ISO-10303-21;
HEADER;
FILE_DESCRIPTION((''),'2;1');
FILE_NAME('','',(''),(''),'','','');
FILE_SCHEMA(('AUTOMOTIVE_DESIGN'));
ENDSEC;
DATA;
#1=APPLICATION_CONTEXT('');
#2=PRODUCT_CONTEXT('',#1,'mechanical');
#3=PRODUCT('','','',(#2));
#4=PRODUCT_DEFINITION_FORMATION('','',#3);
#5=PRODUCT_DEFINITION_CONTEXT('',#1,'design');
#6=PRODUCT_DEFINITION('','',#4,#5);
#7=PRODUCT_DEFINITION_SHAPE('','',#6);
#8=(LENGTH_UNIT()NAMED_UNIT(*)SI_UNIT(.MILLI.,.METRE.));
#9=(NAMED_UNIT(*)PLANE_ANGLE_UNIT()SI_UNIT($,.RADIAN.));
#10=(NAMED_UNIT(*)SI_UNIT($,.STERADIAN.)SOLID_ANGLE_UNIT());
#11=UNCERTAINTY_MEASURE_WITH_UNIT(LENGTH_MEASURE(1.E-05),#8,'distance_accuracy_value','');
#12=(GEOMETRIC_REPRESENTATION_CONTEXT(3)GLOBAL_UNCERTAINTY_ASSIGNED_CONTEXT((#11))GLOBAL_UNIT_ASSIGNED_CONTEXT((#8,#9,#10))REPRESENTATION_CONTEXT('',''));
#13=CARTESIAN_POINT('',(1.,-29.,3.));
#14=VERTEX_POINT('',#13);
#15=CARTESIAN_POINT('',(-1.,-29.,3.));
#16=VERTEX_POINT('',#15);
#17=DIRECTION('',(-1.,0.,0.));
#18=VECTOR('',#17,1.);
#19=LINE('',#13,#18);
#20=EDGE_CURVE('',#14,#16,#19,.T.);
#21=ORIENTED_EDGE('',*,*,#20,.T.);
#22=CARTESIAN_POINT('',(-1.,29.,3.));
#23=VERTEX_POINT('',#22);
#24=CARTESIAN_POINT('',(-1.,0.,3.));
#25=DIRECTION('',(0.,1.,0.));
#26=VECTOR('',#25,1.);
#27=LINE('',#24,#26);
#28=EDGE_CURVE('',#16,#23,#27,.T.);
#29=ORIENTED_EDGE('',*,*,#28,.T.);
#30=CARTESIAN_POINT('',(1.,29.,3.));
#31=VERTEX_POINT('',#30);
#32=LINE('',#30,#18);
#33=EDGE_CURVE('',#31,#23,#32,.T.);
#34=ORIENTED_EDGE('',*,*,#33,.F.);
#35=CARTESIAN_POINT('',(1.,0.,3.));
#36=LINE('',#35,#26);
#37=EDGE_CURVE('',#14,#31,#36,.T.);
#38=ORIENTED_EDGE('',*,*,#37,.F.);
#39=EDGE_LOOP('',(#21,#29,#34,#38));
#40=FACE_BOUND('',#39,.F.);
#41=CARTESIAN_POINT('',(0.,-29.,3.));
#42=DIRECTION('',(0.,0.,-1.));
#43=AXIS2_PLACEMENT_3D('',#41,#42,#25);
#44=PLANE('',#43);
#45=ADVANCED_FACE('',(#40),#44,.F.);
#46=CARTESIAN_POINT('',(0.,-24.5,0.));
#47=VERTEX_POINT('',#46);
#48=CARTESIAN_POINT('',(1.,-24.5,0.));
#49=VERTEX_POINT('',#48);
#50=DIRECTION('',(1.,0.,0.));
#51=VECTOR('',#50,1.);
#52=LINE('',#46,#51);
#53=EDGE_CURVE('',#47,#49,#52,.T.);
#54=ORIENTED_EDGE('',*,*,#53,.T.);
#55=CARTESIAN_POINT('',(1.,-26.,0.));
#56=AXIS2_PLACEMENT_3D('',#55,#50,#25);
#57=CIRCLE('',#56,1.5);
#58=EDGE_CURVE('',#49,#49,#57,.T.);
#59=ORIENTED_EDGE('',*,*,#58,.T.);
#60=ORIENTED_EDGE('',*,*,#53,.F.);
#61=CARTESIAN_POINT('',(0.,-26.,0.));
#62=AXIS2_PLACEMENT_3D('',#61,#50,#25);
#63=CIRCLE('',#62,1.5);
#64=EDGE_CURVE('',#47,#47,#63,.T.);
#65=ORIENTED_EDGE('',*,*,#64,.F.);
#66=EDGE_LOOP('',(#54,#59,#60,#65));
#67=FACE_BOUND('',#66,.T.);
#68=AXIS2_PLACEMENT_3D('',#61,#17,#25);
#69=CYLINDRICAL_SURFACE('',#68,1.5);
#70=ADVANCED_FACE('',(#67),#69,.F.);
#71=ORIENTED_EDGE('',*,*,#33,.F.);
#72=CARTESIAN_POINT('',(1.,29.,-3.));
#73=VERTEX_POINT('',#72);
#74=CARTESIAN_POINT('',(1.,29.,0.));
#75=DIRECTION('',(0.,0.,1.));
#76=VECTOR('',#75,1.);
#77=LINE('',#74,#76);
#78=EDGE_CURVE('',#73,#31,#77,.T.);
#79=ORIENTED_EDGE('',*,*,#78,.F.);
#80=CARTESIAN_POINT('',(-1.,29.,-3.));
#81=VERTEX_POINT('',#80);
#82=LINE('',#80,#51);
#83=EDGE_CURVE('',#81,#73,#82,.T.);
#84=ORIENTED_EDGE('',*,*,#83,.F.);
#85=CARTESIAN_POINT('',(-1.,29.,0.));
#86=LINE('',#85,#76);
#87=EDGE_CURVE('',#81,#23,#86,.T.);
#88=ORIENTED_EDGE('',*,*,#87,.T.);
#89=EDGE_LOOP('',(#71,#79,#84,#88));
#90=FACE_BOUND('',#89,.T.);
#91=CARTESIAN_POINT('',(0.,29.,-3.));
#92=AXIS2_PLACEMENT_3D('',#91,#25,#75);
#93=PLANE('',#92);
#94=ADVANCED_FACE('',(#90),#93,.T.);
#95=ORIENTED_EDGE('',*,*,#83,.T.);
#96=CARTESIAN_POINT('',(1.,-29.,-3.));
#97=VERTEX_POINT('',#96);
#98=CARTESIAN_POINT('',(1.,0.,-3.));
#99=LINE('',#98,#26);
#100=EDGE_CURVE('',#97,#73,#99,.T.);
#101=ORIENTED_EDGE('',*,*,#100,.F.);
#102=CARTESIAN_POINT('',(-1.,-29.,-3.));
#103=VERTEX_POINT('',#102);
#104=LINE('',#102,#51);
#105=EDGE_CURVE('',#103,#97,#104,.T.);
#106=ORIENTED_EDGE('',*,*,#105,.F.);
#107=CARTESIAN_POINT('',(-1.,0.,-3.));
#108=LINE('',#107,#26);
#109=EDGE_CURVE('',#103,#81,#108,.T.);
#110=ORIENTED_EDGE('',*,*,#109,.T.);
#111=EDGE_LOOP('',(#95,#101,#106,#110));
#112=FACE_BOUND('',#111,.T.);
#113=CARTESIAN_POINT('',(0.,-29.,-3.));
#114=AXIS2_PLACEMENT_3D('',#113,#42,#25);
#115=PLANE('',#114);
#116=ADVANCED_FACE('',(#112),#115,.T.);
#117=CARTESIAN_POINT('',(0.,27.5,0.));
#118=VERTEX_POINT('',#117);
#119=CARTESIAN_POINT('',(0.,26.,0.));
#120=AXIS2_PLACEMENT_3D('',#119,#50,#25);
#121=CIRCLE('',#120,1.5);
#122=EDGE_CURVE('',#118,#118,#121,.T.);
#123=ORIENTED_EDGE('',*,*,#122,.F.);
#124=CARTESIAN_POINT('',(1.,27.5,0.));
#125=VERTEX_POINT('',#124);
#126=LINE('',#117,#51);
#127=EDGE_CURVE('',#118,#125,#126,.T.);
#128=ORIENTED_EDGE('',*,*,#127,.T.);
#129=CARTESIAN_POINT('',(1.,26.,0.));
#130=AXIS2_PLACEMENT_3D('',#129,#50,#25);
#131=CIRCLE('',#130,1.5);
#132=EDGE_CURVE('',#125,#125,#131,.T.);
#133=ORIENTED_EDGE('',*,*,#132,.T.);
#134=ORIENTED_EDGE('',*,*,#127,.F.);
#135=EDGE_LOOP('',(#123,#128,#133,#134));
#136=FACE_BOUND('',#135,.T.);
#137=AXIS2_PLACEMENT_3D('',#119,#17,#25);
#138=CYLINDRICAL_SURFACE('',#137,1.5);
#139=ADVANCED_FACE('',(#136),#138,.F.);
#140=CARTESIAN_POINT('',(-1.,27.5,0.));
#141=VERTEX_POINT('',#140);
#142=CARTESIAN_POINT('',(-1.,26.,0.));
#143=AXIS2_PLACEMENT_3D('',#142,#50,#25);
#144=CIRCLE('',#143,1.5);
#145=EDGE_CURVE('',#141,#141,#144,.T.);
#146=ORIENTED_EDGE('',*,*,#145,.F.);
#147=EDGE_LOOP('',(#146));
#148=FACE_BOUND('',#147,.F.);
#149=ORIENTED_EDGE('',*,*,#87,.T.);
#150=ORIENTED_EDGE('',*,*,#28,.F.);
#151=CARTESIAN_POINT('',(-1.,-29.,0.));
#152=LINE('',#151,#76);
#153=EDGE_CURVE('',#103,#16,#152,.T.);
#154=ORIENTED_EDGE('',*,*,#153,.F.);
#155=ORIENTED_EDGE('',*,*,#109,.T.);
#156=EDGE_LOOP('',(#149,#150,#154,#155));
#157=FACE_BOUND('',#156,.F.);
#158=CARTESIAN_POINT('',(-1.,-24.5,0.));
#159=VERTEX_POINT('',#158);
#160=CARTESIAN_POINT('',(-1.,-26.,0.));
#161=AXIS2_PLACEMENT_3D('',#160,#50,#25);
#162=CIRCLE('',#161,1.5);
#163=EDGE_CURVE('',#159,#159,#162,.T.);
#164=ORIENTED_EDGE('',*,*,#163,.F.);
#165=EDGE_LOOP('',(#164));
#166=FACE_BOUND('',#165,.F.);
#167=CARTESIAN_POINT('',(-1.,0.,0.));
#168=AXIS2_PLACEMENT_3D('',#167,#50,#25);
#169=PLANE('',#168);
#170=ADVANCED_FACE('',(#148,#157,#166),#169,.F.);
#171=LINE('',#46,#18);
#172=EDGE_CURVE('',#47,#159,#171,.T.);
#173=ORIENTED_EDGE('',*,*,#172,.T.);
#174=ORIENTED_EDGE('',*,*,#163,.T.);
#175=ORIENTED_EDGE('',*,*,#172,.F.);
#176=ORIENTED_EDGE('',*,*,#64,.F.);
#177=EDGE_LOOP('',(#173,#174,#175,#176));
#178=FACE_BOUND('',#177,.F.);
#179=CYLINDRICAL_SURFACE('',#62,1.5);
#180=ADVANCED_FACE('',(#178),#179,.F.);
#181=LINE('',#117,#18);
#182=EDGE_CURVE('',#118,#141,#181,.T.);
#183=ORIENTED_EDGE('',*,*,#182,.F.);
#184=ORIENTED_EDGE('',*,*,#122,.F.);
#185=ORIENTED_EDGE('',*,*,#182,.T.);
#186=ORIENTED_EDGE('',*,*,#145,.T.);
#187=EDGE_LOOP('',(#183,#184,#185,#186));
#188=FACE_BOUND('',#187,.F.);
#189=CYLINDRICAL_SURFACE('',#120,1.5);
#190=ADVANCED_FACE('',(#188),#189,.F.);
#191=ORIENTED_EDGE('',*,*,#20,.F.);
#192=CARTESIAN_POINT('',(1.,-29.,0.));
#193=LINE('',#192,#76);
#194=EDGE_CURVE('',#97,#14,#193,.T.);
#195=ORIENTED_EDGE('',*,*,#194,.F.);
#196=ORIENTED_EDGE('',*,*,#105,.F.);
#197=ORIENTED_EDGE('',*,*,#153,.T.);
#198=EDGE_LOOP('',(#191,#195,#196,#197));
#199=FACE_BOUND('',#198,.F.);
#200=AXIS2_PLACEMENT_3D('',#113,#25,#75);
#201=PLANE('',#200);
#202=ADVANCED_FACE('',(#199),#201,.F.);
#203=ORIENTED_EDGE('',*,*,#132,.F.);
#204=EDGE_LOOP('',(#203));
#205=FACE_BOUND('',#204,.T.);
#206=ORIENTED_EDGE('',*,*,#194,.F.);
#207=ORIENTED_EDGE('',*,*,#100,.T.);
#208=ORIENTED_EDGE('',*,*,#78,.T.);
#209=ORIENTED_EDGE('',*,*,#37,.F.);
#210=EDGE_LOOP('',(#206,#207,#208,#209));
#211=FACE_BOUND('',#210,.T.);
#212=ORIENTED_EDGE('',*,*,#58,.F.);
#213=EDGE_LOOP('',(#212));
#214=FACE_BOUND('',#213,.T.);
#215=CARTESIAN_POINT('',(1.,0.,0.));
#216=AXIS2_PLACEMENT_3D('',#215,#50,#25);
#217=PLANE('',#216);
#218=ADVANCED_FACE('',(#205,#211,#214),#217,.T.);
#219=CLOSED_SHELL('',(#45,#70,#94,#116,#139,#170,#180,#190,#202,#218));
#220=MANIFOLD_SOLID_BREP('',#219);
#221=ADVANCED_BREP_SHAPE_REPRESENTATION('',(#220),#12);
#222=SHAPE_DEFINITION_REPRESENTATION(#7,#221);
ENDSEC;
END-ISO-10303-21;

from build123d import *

# Parameters (mm, degrees)
F0_W          = 58
F0_H          = 6
F0_R          = 1.5
F1_DEPTH      = 1
F1_DEPTH_BACK = 1


with BuildPart() as f1:
    # F0 (on Right) → F1 (new body, two sides)
    with BuildSketch(Plane.YZ) as f1_sk:
        Rectangle(F0_W, F0_H)
        with Locations((-26, 0)):
            Circle(F0_R, mode=Mode.SUBTRACT)
        with Locations((26, 0)):
            Circle(F0_R, mode=Mode.SUBTRACT)
    extrude(amount=F1_DEPTH)
    extrude(f1_sk.sketch, amount=-F1_DEPTH_BACK)


solid = f1.part
